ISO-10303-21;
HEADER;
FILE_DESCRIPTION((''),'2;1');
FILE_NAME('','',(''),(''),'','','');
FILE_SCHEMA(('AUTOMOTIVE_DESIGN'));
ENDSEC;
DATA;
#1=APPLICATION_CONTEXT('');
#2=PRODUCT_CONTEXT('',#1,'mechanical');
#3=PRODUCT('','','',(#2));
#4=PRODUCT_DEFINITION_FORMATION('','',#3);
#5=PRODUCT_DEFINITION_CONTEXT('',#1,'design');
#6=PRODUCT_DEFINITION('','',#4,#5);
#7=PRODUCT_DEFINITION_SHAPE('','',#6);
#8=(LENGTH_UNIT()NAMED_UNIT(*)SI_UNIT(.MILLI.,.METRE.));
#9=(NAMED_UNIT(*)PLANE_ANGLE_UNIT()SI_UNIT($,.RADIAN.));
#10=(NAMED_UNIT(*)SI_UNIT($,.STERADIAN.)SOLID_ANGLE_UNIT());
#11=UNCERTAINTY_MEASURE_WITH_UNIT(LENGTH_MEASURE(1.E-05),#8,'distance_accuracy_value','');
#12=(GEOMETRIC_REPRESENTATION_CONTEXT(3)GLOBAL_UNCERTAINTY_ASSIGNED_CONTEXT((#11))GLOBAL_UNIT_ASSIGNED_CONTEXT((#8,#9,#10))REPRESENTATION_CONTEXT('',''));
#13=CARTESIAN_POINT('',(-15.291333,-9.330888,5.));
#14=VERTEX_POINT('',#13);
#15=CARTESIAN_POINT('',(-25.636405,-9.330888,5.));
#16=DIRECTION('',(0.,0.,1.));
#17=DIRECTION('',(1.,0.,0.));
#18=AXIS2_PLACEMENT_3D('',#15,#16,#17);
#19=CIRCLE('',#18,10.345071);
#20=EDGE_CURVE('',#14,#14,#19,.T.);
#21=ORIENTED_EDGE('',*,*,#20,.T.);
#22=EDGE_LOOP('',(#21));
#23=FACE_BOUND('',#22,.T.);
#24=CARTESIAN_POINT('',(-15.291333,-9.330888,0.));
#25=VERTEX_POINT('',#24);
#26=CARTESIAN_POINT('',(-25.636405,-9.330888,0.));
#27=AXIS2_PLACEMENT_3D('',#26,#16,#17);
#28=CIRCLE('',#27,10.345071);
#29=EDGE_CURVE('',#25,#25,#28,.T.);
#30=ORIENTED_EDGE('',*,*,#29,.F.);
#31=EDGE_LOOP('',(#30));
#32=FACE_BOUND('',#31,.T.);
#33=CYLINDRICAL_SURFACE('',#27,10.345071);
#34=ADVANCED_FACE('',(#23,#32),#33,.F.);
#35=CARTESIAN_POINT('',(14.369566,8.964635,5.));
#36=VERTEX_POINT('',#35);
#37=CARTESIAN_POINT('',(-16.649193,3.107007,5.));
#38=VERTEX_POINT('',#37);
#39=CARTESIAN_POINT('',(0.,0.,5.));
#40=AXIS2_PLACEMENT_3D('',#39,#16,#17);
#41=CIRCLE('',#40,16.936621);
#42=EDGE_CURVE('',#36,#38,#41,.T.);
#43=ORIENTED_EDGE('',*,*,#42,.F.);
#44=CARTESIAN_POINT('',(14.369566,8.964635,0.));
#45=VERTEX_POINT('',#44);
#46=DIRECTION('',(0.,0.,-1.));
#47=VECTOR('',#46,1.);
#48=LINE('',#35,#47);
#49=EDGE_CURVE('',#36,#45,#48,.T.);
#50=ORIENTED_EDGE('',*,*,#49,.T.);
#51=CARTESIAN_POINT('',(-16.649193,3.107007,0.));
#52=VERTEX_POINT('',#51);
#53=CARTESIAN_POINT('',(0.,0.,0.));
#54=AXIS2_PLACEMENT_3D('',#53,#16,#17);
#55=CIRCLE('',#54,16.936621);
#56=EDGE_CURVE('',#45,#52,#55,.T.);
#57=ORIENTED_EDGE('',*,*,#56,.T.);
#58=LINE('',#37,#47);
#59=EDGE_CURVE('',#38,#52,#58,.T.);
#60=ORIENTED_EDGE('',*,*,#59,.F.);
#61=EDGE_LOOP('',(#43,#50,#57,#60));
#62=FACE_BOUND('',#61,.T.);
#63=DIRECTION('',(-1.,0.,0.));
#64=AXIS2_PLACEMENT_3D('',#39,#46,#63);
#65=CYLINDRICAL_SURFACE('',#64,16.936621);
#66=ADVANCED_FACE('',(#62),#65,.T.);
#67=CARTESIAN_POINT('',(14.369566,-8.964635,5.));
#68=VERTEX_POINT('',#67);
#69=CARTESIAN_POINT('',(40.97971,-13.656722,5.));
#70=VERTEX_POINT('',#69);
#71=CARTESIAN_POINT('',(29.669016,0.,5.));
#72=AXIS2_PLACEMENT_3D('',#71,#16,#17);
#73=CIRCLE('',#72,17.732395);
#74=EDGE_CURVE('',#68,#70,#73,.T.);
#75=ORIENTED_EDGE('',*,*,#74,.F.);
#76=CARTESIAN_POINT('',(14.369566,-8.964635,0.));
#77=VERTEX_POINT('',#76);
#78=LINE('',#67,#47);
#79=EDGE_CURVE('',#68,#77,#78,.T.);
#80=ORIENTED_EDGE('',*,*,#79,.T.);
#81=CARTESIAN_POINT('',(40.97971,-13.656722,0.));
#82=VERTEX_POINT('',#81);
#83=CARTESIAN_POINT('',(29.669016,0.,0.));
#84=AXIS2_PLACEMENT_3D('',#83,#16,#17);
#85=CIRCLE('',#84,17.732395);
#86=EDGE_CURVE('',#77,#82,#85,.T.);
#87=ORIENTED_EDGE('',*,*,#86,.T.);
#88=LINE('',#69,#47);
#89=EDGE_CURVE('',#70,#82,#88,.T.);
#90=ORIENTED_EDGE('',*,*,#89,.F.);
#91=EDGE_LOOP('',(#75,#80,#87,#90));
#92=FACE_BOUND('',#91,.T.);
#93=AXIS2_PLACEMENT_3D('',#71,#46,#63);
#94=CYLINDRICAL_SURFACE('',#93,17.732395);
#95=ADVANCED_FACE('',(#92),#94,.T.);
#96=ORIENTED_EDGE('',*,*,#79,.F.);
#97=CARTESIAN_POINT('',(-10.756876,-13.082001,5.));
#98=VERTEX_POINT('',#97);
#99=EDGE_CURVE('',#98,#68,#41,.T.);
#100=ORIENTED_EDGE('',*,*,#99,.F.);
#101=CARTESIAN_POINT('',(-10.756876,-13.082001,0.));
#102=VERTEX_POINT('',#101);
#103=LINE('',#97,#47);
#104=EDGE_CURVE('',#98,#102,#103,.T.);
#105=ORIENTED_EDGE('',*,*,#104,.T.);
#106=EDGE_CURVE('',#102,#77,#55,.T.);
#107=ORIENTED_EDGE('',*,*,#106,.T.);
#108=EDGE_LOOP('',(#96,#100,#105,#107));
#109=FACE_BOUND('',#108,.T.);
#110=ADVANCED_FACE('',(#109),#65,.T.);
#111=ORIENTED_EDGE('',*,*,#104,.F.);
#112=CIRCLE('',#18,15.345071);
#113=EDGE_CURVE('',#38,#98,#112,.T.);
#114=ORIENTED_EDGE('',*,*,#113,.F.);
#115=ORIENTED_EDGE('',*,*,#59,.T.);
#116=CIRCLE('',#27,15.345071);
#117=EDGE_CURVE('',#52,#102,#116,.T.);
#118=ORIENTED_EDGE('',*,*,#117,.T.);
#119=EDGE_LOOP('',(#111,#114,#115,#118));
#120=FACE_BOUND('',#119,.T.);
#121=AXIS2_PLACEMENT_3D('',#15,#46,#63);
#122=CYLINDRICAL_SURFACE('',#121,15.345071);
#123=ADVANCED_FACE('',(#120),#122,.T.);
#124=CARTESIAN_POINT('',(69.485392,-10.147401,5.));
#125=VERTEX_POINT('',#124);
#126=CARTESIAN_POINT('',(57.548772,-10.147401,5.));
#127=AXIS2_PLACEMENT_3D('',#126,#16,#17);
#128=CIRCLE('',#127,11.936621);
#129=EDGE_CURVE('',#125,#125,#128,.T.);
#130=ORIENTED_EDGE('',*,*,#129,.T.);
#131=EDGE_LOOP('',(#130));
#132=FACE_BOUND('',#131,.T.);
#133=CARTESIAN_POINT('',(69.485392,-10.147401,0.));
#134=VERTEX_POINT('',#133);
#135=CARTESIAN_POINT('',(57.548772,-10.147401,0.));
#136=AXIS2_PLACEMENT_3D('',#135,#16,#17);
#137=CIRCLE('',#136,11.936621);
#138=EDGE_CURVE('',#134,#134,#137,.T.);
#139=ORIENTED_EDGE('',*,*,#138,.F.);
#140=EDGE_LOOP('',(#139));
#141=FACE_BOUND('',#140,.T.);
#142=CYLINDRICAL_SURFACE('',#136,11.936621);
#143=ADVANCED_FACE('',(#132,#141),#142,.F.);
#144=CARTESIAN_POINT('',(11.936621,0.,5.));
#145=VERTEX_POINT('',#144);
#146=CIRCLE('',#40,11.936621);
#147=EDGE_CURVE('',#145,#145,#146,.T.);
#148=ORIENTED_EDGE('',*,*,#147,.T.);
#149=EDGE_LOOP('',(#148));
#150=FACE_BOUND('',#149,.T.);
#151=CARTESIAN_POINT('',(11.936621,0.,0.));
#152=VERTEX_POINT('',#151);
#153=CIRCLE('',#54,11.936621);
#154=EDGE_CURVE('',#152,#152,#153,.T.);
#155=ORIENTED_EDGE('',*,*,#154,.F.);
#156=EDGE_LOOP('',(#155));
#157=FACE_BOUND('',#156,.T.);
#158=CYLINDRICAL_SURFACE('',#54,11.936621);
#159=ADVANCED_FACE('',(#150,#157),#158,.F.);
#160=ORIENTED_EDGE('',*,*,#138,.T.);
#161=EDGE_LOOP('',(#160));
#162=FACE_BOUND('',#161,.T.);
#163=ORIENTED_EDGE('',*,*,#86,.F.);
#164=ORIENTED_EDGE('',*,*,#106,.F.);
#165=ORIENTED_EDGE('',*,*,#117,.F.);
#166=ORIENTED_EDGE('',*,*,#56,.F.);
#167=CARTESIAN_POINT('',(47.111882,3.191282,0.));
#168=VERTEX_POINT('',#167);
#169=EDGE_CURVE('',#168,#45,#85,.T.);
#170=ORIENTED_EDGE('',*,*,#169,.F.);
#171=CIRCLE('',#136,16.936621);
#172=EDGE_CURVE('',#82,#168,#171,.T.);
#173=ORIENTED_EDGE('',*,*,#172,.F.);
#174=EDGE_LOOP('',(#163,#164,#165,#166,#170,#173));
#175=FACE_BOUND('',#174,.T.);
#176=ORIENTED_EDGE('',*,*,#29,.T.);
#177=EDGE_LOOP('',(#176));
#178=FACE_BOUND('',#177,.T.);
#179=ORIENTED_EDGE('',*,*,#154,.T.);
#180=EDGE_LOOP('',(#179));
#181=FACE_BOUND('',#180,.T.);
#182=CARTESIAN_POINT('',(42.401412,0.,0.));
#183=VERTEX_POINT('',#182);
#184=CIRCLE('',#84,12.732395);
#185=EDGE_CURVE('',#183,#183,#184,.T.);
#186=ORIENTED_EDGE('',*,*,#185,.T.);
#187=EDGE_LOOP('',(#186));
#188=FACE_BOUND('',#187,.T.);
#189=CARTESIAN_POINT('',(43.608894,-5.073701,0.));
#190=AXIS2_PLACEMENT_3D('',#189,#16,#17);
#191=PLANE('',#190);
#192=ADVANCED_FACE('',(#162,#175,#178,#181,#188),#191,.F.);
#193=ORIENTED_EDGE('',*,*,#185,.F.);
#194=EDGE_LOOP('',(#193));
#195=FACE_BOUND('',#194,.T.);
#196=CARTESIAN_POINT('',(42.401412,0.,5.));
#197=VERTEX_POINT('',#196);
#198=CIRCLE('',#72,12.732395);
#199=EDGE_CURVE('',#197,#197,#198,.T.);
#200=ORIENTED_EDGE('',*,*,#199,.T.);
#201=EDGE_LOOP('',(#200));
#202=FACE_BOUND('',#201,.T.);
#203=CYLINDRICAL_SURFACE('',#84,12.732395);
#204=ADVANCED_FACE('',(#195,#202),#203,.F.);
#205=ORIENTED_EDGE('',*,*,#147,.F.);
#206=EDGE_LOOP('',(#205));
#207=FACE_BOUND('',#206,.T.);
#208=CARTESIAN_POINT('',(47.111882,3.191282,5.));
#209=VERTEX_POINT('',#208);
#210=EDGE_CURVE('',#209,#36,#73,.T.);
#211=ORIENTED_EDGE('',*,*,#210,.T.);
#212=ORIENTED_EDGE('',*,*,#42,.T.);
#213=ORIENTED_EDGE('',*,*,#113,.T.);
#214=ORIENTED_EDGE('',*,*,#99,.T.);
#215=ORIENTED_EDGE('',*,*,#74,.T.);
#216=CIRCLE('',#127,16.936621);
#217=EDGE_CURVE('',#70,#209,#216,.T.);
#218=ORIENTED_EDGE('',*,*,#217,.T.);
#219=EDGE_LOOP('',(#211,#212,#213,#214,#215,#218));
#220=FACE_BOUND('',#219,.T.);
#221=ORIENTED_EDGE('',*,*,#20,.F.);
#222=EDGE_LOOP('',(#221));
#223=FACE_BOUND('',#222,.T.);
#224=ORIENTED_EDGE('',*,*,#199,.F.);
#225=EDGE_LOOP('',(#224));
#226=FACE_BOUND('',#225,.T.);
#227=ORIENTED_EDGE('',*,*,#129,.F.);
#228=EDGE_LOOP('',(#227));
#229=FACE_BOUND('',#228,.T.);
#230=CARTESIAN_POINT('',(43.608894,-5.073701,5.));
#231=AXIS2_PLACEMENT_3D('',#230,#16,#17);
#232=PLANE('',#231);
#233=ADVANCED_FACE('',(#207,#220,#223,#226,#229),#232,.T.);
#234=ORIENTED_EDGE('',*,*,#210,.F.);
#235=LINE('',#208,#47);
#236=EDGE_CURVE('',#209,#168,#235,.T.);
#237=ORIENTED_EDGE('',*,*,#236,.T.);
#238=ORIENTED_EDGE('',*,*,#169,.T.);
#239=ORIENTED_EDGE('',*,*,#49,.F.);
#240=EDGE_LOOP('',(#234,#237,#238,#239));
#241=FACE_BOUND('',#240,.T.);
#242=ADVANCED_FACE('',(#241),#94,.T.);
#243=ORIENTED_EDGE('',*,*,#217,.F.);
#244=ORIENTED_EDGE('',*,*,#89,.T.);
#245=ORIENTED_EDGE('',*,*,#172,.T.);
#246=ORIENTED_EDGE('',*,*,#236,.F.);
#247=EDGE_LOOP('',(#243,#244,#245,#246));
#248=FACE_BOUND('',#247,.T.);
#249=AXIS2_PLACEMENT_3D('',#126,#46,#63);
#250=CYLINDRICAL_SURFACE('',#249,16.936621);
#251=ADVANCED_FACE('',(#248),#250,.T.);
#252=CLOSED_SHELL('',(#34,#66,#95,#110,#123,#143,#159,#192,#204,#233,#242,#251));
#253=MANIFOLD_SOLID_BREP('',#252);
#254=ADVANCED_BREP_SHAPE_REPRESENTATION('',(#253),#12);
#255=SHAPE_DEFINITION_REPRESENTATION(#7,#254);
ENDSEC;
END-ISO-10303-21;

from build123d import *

# Parameters (mm, degrees)
BOSS_EXTRUDE2_DEPTH = 5
SKETCH2_R           = 10.345071301
CUT_EXTRUDE1_DEPTH  = 5
SKETCH3_R           = 11.936620732
CUT_EXTRUDE2_DEPTH  = 5
SKETCH5_R           = 12.732395447
CUT_EXTRUDE3_DEPTH  = 5
SKETCH6_R           = 11.936620732
CUT_EXTRUDE4_DEPTH  = 5


with BuildPart() as part:
    # Sketch1 → Boss-Extrude2 (new body)
    with BuildSketch(Plane.XY):
        with BuildLine():
            ThreePointArc((-10.756876138, -13.082000519), (2.738805764, -16.713708888), (14.369566376, -8.964635184))
            ThreePointArc((14.369566376, -8.964635184), (26.589818025, -17.463000516), (40.979710452, -13.656721546))
            ThreePointArc((40.979710452, -13.656721546), (73.463989272, -15.940066616), (47.111882074, 3.191281517))
            ThreePointArc((47.111882074, 3.191281517), (32.748214335, 17.463000516), (14.369566376, 8.964635184))
            ThreePointArc((14.369566376, 8.964635184), (-3.142789543, 16.642475648), (-16.649193034, 3.107007102))
            ThreePointArc((-16.649193034, 3.107007102), (-40.05605495, -14.579211704), (-10.756876138, -13.082000519))
        make_face()
    extrude(amount=BOSS_EXTRUDE2_DEPTH)

    # Sketch2 → Cut-Extrude1 (cut)
    with BuildSketch(Plane.XY.offset(5)):
        with Locations((-25.636404683, -9.330888218)):
            Circle(SKETCH2_R)
    extrude(amount=-CUT_EXTRUDE1_DEPTH, mode=Mode.SUBTRACT)

    # Sketch3 → Cut-Extrude2 (cut)
    with BuildSketch(Plane.XY.offset(5)):
        Circle(SKETCH3_R)
    extrude(amount=-CUT_EXTRUDE2_DEPTH, mode=Mode.SUBTRACT)

    # Sketch5 → Cut-Extrude3 (cut)
    with BuildSketch(Plane.XY.offset(5)):
        with Locations((29.66901618, 0)):
            Circle(SKETCH5_R)
    extrude(amount=-CUT_EXTRUDE3_DEPTH, mode=Mode.SUBTRACT)

    # Sketch6 → Cut-Extrude4 (cut)
    with BuildSketch(Plane.XY.offset(5)):
        with Locations((57.54877175, -10.147401166)):
            Circle(SKETCH6_R)
    extrude(amount=-CUT_EXTRUDE4_DEPTH, mode=Mode.SUBTRACT)


solid = part.part
